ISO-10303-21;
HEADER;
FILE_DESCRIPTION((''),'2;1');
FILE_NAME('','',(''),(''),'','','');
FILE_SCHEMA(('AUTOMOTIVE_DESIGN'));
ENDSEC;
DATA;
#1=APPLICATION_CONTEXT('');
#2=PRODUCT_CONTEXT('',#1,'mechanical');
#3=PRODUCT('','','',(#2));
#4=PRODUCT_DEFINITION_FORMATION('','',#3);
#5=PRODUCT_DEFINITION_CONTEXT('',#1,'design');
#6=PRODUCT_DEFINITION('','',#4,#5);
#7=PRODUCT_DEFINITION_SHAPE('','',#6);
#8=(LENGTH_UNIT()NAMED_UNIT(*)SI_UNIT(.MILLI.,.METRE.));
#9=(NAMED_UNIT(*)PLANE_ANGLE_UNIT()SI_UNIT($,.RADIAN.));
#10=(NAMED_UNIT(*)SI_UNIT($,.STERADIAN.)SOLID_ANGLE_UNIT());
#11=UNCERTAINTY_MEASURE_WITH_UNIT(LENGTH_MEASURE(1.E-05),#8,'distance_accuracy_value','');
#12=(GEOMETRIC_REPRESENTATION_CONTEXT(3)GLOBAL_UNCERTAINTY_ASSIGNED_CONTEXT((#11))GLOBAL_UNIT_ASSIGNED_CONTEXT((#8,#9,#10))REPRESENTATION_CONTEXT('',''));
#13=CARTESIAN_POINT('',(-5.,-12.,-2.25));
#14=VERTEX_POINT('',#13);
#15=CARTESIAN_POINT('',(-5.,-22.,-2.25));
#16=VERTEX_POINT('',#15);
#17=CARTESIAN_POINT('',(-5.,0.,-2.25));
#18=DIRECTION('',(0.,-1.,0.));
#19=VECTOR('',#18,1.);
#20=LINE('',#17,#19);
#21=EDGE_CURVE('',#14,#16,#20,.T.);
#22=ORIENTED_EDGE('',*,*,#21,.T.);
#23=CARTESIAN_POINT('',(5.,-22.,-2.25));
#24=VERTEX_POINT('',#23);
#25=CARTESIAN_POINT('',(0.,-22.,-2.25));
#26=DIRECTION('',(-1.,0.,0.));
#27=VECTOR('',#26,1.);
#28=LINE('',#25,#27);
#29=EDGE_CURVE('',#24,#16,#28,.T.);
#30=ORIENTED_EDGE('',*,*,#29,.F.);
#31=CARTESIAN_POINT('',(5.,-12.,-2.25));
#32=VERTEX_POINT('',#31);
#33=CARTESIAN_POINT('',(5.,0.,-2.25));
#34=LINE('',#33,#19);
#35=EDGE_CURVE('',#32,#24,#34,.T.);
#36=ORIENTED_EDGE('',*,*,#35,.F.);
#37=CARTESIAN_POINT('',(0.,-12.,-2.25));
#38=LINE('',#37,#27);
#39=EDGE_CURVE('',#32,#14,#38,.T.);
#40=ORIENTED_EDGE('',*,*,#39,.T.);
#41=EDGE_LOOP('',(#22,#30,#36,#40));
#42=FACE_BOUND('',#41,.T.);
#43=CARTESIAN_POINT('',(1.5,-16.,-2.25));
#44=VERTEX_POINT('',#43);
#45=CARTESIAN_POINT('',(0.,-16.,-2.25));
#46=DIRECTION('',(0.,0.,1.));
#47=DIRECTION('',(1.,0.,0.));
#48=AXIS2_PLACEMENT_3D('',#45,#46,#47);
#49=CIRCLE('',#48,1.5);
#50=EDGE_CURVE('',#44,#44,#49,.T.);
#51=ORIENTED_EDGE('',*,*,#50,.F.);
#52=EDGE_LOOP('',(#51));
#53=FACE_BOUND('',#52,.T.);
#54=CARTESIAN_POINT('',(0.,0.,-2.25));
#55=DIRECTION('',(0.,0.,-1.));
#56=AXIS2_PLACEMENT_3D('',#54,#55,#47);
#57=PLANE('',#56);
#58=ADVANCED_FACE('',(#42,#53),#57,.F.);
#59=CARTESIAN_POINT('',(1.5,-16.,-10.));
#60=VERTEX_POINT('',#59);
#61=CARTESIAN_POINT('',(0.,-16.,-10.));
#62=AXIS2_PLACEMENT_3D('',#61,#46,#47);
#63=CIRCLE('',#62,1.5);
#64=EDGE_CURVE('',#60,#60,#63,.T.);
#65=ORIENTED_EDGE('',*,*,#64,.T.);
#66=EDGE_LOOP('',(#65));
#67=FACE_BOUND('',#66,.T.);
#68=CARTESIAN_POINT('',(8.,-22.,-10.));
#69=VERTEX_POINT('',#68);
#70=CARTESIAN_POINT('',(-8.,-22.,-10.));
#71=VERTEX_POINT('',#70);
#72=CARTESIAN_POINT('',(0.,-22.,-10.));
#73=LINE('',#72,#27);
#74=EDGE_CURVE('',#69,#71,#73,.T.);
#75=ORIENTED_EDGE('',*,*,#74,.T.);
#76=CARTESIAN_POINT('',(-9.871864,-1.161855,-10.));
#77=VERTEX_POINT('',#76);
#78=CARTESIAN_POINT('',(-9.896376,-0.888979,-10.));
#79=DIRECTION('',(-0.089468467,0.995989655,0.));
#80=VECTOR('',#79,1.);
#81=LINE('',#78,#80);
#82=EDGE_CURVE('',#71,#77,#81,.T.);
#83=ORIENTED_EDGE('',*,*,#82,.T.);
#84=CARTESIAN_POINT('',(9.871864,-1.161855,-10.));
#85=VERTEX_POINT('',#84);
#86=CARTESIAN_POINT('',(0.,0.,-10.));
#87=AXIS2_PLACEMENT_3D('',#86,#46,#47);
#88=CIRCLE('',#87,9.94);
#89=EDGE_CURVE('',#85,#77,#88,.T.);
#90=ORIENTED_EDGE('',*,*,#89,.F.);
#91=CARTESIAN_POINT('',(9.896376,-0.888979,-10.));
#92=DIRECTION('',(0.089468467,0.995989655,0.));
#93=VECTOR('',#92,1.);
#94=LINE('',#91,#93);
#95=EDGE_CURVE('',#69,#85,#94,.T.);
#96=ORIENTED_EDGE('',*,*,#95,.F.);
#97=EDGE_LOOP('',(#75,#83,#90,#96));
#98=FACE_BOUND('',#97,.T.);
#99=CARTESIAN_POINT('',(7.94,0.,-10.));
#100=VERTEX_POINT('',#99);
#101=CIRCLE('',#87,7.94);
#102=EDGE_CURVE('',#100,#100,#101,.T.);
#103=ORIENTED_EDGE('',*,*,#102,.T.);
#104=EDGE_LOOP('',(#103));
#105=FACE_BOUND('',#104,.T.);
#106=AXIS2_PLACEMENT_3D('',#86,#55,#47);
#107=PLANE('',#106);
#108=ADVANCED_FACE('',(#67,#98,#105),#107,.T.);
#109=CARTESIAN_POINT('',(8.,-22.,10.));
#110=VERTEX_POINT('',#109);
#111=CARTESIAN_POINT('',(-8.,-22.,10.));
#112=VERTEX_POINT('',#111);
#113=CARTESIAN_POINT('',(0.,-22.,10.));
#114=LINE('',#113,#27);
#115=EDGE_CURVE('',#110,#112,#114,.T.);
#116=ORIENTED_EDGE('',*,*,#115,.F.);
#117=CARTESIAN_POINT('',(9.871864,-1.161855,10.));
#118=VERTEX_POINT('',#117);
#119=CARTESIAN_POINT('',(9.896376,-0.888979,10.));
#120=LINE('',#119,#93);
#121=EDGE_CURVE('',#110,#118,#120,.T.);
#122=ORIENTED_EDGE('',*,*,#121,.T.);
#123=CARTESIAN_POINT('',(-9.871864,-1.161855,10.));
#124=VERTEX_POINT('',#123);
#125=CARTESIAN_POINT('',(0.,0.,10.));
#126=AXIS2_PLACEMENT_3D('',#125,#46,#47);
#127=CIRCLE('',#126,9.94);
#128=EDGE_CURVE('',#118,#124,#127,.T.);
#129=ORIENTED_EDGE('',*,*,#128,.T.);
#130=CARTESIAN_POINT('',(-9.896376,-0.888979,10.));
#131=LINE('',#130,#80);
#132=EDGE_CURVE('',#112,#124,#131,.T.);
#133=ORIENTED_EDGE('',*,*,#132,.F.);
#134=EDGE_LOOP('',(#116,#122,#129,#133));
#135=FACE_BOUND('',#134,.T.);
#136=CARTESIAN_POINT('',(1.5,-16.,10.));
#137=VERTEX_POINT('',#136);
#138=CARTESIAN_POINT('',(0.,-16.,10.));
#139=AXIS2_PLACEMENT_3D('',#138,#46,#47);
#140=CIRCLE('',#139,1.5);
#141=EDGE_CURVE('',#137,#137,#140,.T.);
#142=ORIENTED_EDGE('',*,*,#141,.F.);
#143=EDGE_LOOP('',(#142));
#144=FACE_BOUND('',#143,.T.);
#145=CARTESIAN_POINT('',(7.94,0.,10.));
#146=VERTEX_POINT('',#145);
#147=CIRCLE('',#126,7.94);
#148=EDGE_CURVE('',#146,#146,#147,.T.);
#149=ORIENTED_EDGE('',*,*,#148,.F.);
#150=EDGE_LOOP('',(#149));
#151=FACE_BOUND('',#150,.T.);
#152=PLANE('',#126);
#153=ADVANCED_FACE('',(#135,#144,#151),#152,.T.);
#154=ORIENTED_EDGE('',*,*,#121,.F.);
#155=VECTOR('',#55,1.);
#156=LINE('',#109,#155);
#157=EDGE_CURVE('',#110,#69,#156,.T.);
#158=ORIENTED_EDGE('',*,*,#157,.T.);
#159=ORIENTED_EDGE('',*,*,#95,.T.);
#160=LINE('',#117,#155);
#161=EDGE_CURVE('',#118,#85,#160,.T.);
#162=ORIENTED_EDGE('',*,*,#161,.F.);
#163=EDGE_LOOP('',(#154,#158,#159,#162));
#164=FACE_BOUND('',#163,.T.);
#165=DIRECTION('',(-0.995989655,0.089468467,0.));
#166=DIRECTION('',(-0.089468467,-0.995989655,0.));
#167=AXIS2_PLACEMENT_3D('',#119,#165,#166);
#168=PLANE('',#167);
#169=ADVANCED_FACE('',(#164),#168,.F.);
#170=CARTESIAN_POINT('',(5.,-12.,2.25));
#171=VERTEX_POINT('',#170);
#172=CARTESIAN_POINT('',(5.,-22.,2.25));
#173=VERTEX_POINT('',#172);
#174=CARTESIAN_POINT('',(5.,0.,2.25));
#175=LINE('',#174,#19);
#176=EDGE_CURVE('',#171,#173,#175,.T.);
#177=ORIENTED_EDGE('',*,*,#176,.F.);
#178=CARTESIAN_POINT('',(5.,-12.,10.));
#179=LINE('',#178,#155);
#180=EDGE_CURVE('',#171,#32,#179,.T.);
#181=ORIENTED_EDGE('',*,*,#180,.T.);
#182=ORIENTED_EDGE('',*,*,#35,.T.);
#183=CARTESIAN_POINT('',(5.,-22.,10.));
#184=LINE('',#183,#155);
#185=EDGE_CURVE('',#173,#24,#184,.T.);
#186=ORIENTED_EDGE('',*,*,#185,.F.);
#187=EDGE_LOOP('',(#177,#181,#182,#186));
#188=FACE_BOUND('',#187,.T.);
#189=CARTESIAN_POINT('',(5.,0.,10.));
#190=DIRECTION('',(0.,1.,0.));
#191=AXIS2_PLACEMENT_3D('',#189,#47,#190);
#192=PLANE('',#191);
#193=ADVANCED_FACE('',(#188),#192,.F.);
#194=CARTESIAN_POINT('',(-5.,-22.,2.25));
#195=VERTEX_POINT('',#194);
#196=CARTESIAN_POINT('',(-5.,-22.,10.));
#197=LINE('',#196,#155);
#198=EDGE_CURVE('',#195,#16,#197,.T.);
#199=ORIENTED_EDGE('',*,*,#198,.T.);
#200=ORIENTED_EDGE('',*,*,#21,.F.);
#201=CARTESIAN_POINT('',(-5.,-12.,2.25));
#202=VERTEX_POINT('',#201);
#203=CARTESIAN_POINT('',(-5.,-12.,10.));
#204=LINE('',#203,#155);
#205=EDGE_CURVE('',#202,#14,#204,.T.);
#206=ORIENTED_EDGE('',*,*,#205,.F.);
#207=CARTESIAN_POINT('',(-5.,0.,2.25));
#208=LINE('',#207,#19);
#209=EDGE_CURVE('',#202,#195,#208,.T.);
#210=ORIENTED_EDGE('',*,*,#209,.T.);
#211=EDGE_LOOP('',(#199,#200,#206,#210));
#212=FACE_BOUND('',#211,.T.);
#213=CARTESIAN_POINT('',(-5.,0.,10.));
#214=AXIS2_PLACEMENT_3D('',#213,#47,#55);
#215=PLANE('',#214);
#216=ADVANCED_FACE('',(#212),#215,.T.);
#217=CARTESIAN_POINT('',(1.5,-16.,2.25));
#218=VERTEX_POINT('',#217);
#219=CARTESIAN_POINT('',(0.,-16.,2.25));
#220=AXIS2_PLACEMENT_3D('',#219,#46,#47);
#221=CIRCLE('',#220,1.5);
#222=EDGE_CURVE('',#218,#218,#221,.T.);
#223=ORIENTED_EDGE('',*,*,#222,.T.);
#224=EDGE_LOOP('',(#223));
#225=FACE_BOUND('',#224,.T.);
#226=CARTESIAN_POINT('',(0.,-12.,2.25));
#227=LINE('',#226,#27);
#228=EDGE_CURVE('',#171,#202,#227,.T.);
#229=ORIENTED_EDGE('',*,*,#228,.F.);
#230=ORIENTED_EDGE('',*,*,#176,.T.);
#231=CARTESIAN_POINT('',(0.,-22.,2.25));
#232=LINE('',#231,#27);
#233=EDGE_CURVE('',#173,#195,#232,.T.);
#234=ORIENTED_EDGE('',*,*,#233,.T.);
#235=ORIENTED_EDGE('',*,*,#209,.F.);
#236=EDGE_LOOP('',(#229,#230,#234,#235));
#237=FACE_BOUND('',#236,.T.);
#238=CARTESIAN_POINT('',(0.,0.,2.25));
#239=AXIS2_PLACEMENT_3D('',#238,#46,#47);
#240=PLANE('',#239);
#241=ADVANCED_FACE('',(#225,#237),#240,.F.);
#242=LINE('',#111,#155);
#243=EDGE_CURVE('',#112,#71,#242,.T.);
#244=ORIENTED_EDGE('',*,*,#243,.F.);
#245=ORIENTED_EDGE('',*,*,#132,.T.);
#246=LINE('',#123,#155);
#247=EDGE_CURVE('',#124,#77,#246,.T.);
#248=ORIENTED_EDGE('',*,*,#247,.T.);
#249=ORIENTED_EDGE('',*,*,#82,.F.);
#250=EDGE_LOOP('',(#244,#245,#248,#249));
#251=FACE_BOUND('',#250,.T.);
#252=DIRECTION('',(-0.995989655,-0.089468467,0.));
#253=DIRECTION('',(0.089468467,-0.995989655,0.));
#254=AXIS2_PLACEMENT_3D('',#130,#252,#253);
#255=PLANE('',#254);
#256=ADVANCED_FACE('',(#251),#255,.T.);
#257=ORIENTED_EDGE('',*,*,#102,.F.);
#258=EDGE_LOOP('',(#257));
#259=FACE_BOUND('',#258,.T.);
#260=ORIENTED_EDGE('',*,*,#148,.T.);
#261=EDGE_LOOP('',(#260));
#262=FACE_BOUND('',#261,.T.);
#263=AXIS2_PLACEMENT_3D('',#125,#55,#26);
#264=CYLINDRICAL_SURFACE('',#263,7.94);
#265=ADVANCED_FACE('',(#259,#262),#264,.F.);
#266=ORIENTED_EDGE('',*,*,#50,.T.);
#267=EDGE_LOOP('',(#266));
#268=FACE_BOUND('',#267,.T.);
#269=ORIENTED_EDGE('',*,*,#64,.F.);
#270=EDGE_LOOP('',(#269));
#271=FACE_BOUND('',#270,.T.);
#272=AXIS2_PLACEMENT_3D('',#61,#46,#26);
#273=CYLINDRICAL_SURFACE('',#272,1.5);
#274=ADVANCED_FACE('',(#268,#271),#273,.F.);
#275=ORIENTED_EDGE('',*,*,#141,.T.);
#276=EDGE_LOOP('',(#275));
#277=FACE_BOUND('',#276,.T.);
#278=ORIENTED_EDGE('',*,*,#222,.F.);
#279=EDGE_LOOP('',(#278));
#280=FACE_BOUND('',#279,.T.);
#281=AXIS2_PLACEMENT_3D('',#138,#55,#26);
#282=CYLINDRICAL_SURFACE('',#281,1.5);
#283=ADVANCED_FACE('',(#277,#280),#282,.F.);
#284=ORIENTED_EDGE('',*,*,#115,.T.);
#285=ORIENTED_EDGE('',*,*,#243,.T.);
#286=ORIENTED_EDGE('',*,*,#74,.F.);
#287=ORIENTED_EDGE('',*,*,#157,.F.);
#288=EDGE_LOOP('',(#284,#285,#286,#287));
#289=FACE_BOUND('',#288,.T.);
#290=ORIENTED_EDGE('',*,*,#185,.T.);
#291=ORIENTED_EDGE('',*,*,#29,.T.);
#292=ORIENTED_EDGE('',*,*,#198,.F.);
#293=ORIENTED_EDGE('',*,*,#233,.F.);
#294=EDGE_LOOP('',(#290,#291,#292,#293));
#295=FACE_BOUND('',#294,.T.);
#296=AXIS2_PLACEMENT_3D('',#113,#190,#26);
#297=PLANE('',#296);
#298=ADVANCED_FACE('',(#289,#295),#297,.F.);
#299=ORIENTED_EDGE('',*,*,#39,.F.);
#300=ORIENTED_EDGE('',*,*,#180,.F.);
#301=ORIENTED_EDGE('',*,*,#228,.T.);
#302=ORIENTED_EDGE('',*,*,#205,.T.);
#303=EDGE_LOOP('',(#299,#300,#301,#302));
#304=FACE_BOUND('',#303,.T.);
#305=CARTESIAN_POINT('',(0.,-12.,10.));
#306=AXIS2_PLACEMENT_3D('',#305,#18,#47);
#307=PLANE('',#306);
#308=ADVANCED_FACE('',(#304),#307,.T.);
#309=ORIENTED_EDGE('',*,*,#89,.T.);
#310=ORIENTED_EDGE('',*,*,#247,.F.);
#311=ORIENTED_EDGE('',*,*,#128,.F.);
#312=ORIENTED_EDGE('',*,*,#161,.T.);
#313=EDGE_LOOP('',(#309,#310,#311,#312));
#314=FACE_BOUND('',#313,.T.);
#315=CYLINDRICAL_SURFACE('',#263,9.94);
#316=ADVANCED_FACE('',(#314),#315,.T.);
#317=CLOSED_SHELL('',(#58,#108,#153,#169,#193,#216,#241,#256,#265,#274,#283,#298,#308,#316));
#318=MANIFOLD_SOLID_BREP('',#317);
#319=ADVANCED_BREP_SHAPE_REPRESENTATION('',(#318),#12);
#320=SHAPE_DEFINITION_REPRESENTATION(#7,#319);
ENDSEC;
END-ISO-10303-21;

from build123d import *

# Parameters (mm, degrees)
SKETCH1_R           = 7.94
BOSS_EXTRUDE1_DEPTH = 10
BOSS_EXTRUDE2_START = 2.25
SKETCH1_3_W         = 10
SKETCH1_3_H         = 10
SKETCH1_3_R         = 1.5
BOSS_EXTRUDE2_DEPTH = 7.75


with BuildPart() as part:
    # Sketch1 → Boss-Extrude1 (new body)
    with BuildSketch(Plane.XY):
        with BuildLine():
            Line((8, -22), (9.871863704, -1.161854982))
            ThreePointArc((9.871863704, -1.161854982), (0, 9.94), (-9.871863704, -1.161854982))
            Line((-9.871863704, -1.161854982), (-8, -22))
            Line((-8, -22), (-5, -22))
            Line((-5, -22), (-5, -12))
            Line((-5, -12), (5, -12))
            Line((5, -12), (5, -22))
            Line((5, -22), (8, -22))
        make_face()
        Circle(SKETCH1_R, mode=Mode.SUBTRACT)
    extrude(amount=BOSS_EXTRUDE1_DEPTH)

    # Sketch1<3> → Boss-Extrude2 (add)
    with BuildSketch(Plane.XY.offset(BOSS_EXTRUDE2_START)):
        with Locations((0, -17)):
            Rectangle(SKETCH1_3_W, SKETCH1_3_H)
        with Locations((0, -16)):
            Circle(SKETCH1_3_R, mode=Mode.SUBTRACT)
    extrude(amount=BOSS_EXTRUDE2_DEPTH)

    # Mirror1: part across plane


with BuildPart() as part_1:
    add(part.part)
    add(part.part.mirror(Plane.XY))


solid = part_1.part
